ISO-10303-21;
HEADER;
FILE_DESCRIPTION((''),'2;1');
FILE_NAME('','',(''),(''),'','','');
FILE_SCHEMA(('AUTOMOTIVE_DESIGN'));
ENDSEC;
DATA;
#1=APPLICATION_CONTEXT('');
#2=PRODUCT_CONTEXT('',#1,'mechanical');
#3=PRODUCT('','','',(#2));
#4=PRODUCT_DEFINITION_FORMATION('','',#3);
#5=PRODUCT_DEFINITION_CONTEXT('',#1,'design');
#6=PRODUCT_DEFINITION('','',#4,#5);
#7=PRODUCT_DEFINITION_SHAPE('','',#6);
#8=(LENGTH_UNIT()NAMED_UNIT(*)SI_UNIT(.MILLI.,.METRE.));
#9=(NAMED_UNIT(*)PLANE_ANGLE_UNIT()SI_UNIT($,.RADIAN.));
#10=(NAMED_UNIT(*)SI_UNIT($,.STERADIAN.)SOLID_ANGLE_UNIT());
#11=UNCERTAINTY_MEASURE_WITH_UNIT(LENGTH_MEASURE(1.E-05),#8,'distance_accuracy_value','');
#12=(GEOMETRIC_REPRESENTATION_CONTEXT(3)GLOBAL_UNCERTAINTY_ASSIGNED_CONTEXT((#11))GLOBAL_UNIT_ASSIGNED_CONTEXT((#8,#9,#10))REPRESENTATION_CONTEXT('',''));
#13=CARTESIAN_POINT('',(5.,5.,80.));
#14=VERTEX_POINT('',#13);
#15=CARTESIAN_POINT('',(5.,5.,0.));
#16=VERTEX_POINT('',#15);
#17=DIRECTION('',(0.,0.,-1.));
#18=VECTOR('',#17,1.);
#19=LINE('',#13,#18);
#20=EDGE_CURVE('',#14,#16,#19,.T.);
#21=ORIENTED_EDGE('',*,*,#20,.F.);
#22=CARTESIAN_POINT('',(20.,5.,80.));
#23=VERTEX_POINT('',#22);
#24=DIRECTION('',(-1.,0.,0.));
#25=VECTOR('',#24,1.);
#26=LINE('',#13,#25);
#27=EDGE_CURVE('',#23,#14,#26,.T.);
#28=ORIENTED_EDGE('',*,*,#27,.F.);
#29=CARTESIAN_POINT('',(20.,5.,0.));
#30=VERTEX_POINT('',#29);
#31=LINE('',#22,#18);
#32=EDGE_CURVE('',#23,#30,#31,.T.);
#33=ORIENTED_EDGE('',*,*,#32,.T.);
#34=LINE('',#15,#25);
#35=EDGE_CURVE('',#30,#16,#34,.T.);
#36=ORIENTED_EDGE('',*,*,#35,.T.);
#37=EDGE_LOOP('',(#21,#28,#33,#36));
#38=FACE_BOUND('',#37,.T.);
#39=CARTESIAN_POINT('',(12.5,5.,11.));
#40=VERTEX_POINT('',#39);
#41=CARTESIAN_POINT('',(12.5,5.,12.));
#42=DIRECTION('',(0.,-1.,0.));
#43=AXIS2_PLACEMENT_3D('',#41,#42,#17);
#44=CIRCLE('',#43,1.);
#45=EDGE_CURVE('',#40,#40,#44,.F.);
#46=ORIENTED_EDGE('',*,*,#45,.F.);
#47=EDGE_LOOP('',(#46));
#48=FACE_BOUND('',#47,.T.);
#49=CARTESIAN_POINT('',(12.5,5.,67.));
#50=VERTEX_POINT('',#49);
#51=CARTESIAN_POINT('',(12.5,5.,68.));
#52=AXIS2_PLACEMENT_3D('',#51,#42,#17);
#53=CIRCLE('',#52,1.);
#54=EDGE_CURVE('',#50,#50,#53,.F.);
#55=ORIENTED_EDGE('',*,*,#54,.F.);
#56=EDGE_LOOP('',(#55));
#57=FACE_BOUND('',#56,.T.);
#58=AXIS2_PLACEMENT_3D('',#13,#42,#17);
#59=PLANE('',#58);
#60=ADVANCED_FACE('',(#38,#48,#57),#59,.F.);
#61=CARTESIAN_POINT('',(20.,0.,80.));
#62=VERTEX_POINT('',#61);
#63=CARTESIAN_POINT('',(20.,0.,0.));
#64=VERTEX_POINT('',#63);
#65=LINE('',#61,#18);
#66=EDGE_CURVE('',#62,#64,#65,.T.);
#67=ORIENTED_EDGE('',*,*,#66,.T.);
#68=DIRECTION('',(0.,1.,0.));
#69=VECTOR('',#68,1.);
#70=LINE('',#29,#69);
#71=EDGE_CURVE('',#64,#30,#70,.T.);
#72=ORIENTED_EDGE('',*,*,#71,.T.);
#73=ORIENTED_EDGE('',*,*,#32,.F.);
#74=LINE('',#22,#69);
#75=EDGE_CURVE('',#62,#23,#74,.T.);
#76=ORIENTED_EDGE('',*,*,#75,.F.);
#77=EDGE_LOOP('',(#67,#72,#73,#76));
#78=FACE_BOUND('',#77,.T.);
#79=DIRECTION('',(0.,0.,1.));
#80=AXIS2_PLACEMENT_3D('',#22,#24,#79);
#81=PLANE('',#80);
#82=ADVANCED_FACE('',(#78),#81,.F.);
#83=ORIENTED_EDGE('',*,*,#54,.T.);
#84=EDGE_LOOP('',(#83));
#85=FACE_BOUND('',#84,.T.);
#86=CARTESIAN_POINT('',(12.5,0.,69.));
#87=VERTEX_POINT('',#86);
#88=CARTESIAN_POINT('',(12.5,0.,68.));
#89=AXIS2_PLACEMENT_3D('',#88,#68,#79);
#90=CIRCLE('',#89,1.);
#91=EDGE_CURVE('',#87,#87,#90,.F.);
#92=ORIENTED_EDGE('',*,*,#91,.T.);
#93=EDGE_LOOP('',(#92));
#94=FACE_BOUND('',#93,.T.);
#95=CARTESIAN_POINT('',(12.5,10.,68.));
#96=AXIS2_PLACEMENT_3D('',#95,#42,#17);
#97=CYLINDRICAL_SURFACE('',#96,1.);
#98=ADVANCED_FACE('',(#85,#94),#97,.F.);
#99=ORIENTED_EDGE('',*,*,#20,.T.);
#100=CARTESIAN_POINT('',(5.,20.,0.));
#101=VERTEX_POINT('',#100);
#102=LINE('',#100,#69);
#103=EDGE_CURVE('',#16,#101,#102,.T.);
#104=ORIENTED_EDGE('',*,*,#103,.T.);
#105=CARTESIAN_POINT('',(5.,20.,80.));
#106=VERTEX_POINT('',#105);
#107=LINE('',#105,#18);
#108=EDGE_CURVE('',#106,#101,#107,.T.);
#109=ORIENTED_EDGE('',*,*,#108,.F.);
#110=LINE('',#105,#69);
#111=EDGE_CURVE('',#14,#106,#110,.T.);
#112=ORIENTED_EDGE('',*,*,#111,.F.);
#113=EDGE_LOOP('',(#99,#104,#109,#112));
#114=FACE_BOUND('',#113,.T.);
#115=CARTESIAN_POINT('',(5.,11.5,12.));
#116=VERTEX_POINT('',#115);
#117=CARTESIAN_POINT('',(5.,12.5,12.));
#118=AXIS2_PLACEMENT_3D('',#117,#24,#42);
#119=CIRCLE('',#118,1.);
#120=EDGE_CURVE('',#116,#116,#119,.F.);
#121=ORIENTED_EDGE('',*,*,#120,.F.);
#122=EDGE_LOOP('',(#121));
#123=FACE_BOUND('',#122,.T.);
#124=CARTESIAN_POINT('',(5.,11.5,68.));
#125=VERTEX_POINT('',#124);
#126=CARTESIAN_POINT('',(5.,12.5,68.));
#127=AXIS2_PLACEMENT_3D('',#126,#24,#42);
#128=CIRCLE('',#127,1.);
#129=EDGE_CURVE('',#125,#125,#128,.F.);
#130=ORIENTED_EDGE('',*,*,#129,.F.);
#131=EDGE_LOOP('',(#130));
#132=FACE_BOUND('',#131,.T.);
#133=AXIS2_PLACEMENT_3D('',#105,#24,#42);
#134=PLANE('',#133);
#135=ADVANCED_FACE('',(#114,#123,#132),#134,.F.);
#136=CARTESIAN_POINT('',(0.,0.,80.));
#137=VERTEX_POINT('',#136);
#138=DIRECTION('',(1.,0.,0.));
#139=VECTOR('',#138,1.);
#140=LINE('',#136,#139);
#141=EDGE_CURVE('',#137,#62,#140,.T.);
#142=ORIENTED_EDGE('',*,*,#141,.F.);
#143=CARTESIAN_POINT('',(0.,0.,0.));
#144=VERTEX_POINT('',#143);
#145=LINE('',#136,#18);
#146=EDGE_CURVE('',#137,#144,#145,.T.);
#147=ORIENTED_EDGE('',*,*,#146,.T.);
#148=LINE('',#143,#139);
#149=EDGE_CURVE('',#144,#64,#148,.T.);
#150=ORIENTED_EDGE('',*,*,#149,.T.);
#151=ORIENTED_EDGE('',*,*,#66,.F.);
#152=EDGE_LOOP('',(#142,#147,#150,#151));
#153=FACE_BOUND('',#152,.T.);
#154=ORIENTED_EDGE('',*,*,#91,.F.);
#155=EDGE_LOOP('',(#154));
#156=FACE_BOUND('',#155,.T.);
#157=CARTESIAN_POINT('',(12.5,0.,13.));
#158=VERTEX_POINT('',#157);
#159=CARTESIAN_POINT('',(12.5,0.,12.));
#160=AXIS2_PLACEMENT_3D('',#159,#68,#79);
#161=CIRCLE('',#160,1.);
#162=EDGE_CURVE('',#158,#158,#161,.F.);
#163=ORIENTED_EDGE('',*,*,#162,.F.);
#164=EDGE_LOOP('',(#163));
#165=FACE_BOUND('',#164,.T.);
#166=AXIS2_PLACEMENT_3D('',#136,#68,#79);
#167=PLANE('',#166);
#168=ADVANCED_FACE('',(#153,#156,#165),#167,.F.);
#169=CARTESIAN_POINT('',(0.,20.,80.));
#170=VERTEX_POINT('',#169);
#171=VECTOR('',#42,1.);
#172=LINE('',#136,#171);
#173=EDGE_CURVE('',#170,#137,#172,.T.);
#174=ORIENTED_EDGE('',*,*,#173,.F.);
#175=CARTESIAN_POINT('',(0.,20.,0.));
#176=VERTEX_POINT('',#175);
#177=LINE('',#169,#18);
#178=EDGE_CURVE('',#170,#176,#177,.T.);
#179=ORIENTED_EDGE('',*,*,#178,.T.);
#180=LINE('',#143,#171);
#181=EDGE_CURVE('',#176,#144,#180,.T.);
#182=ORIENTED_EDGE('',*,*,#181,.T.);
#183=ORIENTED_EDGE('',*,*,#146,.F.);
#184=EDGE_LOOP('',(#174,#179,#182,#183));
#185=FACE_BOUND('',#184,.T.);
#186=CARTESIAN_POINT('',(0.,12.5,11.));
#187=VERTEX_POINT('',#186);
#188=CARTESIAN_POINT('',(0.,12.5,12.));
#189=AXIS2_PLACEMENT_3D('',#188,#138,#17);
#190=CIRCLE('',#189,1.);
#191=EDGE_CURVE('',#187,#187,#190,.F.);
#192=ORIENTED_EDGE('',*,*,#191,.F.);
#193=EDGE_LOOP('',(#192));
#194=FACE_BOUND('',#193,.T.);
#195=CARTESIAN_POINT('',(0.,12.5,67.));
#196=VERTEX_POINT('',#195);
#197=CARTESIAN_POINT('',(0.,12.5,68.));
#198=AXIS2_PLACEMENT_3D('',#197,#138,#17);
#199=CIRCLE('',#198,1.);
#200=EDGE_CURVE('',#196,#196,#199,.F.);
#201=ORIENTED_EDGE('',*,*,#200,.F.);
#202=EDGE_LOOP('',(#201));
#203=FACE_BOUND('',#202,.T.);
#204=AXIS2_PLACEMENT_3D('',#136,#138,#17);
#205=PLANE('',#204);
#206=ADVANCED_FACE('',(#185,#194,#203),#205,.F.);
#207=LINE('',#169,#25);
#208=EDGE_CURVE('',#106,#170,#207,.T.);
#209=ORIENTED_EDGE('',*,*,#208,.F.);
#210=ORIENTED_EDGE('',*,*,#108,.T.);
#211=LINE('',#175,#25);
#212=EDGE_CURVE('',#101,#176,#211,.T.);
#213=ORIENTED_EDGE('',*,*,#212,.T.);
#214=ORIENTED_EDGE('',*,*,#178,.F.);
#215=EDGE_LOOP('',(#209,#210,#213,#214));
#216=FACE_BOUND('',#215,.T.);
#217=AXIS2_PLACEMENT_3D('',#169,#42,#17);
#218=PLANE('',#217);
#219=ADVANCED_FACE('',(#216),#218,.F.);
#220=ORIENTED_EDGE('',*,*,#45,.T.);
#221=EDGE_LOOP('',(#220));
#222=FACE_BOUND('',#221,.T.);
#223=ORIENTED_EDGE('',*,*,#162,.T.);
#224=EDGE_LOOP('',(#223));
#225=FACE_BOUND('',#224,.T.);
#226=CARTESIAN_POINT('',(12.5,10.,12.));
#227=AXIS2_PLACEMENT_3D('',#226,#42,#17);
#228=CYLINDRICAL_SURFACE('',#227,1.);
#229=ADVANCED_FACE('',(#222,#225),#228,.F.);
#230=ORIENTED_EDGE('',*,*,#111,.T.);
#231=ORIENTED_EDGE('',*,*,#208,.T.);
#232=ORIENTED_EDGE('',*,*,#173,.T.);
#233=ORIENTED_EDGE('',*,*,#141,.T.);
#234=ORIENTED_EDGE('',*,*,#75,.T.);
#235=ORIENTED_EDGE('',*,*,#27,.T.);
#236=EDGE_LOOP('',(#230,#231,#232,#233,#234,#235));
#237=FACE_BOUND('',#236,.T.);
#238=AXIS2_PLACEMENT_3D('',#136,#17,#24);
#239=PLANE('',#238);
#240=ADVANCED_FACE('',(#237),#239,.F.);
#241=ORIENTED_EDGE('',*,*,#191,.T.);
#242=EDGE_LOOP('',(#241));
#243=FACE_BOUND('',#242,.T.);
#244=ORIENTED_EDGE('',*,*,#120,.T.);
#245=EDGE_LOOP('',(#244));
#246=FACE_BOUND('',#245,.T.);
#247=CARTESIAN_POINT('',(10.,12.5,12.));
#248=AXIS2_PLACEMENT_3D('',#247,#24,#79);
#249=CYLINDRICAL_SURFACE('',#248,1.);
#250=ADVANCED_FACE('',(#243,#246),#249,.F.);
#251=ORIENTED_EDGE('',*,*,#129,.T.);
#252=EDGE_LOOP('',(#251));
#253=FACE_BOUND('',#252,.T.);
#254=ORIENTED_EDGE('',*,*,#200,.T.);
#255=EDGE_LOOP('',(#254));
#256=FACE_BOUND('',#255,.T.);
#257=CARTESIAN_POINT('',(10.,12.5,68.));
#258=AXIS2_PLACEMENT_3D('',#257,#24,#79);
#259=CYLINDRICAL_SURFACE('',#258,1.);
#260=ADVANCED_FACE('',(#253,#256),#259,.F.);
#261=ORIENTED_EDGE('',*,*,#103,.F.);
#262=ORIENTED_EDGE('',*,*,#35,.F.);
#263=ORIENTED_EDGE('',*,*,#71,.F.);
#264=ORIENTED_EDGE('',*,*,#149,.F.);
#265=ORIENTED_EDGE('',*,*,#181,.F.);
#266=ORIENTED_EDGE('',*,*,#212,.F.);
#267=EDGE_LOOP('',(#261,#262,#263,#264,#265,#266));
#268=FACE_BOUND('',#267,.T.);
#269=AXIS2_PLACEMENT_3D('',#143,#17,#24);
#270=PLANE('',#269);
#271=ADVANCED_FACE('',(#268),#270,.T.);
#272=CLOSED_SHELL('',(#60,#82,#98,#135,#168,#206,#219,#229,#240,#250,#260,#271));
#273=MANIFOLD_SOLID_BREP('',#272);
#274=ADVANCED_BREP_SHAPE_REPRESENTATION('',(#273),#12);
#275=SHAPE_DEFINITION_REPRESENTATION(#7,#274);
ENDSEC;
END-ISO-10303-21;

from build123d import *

# Parameters (mm, degrees)
EXTRUDE_1_DEPTH          = 80
SKETCH_2_R               = 1
CUT_EXTRUDE_2_DEPTH      = 10
CUT_EXTRUDE_2_DEPTH_BACK = 10
SKETCH_3_R               = 1
CUT_EXTRUDE_3_DEPTH      = 10
CUT_EXTRUDE_3_DEPTH_BACK = 10


with BuildPart() as part:
    # 草圖1 → 填料-伸長1 (new body)
    with BuildSketch(Plane.XY):
        Polygon((0, 0), (0, 20), (5, 20), (5, 5), (20, 5), (20, 0), align=None)
    extrude(amount=EXTRUDE_1_DEPTH)

    # 草圖2 → 除料-伸長2 (cut, two sides)
    with BuildSketch(Plane(origin=(0, 0, 0), x_dir=(1, 0, 0), z_dir=(0, 1, 0))) as cut_extrude_2_sk:
        with Locations((12.5, -12)):
            Circle(SKETCH_2_R)
        with Locations((12.5, -68)):
            Circle(SKETCH_2_R)
    extrude(amount=CUT_EXTRUDE_2_DEPTH, mode=Mode.SUBTRACT)
    extrude(cut_extrude_2_sk.sketch, amount=-CUT_EXTRUDE_2_DEPTH_BACK, mode=Mode.SUBTRACT)

    # 草圖3 → 除料-伸長3 (cut, two sides)
    with BuildSketch(Plane(origin=(0, 0, 0), x_dir=(0, 0, -1), z_dir=(1, 0, 0))) as cut_extrude_3_sk:
        with Locations((-12, 12.5)):
            Circle(SKETCH_3_R)
        with Locations((-68, 12.5)):
            Circle(SKETCH_3_R)
    extrude(amount=CUT_EXTRUDE_3_DEPTH, mode=Mode.SUBTRACT)
    extrude(cut_extrude_3_sk.sketch, amount=-CUT_EXTRUDE_3_DEPTH_BACK, mode=Mode.SUBTRACT)


solid = part.part
